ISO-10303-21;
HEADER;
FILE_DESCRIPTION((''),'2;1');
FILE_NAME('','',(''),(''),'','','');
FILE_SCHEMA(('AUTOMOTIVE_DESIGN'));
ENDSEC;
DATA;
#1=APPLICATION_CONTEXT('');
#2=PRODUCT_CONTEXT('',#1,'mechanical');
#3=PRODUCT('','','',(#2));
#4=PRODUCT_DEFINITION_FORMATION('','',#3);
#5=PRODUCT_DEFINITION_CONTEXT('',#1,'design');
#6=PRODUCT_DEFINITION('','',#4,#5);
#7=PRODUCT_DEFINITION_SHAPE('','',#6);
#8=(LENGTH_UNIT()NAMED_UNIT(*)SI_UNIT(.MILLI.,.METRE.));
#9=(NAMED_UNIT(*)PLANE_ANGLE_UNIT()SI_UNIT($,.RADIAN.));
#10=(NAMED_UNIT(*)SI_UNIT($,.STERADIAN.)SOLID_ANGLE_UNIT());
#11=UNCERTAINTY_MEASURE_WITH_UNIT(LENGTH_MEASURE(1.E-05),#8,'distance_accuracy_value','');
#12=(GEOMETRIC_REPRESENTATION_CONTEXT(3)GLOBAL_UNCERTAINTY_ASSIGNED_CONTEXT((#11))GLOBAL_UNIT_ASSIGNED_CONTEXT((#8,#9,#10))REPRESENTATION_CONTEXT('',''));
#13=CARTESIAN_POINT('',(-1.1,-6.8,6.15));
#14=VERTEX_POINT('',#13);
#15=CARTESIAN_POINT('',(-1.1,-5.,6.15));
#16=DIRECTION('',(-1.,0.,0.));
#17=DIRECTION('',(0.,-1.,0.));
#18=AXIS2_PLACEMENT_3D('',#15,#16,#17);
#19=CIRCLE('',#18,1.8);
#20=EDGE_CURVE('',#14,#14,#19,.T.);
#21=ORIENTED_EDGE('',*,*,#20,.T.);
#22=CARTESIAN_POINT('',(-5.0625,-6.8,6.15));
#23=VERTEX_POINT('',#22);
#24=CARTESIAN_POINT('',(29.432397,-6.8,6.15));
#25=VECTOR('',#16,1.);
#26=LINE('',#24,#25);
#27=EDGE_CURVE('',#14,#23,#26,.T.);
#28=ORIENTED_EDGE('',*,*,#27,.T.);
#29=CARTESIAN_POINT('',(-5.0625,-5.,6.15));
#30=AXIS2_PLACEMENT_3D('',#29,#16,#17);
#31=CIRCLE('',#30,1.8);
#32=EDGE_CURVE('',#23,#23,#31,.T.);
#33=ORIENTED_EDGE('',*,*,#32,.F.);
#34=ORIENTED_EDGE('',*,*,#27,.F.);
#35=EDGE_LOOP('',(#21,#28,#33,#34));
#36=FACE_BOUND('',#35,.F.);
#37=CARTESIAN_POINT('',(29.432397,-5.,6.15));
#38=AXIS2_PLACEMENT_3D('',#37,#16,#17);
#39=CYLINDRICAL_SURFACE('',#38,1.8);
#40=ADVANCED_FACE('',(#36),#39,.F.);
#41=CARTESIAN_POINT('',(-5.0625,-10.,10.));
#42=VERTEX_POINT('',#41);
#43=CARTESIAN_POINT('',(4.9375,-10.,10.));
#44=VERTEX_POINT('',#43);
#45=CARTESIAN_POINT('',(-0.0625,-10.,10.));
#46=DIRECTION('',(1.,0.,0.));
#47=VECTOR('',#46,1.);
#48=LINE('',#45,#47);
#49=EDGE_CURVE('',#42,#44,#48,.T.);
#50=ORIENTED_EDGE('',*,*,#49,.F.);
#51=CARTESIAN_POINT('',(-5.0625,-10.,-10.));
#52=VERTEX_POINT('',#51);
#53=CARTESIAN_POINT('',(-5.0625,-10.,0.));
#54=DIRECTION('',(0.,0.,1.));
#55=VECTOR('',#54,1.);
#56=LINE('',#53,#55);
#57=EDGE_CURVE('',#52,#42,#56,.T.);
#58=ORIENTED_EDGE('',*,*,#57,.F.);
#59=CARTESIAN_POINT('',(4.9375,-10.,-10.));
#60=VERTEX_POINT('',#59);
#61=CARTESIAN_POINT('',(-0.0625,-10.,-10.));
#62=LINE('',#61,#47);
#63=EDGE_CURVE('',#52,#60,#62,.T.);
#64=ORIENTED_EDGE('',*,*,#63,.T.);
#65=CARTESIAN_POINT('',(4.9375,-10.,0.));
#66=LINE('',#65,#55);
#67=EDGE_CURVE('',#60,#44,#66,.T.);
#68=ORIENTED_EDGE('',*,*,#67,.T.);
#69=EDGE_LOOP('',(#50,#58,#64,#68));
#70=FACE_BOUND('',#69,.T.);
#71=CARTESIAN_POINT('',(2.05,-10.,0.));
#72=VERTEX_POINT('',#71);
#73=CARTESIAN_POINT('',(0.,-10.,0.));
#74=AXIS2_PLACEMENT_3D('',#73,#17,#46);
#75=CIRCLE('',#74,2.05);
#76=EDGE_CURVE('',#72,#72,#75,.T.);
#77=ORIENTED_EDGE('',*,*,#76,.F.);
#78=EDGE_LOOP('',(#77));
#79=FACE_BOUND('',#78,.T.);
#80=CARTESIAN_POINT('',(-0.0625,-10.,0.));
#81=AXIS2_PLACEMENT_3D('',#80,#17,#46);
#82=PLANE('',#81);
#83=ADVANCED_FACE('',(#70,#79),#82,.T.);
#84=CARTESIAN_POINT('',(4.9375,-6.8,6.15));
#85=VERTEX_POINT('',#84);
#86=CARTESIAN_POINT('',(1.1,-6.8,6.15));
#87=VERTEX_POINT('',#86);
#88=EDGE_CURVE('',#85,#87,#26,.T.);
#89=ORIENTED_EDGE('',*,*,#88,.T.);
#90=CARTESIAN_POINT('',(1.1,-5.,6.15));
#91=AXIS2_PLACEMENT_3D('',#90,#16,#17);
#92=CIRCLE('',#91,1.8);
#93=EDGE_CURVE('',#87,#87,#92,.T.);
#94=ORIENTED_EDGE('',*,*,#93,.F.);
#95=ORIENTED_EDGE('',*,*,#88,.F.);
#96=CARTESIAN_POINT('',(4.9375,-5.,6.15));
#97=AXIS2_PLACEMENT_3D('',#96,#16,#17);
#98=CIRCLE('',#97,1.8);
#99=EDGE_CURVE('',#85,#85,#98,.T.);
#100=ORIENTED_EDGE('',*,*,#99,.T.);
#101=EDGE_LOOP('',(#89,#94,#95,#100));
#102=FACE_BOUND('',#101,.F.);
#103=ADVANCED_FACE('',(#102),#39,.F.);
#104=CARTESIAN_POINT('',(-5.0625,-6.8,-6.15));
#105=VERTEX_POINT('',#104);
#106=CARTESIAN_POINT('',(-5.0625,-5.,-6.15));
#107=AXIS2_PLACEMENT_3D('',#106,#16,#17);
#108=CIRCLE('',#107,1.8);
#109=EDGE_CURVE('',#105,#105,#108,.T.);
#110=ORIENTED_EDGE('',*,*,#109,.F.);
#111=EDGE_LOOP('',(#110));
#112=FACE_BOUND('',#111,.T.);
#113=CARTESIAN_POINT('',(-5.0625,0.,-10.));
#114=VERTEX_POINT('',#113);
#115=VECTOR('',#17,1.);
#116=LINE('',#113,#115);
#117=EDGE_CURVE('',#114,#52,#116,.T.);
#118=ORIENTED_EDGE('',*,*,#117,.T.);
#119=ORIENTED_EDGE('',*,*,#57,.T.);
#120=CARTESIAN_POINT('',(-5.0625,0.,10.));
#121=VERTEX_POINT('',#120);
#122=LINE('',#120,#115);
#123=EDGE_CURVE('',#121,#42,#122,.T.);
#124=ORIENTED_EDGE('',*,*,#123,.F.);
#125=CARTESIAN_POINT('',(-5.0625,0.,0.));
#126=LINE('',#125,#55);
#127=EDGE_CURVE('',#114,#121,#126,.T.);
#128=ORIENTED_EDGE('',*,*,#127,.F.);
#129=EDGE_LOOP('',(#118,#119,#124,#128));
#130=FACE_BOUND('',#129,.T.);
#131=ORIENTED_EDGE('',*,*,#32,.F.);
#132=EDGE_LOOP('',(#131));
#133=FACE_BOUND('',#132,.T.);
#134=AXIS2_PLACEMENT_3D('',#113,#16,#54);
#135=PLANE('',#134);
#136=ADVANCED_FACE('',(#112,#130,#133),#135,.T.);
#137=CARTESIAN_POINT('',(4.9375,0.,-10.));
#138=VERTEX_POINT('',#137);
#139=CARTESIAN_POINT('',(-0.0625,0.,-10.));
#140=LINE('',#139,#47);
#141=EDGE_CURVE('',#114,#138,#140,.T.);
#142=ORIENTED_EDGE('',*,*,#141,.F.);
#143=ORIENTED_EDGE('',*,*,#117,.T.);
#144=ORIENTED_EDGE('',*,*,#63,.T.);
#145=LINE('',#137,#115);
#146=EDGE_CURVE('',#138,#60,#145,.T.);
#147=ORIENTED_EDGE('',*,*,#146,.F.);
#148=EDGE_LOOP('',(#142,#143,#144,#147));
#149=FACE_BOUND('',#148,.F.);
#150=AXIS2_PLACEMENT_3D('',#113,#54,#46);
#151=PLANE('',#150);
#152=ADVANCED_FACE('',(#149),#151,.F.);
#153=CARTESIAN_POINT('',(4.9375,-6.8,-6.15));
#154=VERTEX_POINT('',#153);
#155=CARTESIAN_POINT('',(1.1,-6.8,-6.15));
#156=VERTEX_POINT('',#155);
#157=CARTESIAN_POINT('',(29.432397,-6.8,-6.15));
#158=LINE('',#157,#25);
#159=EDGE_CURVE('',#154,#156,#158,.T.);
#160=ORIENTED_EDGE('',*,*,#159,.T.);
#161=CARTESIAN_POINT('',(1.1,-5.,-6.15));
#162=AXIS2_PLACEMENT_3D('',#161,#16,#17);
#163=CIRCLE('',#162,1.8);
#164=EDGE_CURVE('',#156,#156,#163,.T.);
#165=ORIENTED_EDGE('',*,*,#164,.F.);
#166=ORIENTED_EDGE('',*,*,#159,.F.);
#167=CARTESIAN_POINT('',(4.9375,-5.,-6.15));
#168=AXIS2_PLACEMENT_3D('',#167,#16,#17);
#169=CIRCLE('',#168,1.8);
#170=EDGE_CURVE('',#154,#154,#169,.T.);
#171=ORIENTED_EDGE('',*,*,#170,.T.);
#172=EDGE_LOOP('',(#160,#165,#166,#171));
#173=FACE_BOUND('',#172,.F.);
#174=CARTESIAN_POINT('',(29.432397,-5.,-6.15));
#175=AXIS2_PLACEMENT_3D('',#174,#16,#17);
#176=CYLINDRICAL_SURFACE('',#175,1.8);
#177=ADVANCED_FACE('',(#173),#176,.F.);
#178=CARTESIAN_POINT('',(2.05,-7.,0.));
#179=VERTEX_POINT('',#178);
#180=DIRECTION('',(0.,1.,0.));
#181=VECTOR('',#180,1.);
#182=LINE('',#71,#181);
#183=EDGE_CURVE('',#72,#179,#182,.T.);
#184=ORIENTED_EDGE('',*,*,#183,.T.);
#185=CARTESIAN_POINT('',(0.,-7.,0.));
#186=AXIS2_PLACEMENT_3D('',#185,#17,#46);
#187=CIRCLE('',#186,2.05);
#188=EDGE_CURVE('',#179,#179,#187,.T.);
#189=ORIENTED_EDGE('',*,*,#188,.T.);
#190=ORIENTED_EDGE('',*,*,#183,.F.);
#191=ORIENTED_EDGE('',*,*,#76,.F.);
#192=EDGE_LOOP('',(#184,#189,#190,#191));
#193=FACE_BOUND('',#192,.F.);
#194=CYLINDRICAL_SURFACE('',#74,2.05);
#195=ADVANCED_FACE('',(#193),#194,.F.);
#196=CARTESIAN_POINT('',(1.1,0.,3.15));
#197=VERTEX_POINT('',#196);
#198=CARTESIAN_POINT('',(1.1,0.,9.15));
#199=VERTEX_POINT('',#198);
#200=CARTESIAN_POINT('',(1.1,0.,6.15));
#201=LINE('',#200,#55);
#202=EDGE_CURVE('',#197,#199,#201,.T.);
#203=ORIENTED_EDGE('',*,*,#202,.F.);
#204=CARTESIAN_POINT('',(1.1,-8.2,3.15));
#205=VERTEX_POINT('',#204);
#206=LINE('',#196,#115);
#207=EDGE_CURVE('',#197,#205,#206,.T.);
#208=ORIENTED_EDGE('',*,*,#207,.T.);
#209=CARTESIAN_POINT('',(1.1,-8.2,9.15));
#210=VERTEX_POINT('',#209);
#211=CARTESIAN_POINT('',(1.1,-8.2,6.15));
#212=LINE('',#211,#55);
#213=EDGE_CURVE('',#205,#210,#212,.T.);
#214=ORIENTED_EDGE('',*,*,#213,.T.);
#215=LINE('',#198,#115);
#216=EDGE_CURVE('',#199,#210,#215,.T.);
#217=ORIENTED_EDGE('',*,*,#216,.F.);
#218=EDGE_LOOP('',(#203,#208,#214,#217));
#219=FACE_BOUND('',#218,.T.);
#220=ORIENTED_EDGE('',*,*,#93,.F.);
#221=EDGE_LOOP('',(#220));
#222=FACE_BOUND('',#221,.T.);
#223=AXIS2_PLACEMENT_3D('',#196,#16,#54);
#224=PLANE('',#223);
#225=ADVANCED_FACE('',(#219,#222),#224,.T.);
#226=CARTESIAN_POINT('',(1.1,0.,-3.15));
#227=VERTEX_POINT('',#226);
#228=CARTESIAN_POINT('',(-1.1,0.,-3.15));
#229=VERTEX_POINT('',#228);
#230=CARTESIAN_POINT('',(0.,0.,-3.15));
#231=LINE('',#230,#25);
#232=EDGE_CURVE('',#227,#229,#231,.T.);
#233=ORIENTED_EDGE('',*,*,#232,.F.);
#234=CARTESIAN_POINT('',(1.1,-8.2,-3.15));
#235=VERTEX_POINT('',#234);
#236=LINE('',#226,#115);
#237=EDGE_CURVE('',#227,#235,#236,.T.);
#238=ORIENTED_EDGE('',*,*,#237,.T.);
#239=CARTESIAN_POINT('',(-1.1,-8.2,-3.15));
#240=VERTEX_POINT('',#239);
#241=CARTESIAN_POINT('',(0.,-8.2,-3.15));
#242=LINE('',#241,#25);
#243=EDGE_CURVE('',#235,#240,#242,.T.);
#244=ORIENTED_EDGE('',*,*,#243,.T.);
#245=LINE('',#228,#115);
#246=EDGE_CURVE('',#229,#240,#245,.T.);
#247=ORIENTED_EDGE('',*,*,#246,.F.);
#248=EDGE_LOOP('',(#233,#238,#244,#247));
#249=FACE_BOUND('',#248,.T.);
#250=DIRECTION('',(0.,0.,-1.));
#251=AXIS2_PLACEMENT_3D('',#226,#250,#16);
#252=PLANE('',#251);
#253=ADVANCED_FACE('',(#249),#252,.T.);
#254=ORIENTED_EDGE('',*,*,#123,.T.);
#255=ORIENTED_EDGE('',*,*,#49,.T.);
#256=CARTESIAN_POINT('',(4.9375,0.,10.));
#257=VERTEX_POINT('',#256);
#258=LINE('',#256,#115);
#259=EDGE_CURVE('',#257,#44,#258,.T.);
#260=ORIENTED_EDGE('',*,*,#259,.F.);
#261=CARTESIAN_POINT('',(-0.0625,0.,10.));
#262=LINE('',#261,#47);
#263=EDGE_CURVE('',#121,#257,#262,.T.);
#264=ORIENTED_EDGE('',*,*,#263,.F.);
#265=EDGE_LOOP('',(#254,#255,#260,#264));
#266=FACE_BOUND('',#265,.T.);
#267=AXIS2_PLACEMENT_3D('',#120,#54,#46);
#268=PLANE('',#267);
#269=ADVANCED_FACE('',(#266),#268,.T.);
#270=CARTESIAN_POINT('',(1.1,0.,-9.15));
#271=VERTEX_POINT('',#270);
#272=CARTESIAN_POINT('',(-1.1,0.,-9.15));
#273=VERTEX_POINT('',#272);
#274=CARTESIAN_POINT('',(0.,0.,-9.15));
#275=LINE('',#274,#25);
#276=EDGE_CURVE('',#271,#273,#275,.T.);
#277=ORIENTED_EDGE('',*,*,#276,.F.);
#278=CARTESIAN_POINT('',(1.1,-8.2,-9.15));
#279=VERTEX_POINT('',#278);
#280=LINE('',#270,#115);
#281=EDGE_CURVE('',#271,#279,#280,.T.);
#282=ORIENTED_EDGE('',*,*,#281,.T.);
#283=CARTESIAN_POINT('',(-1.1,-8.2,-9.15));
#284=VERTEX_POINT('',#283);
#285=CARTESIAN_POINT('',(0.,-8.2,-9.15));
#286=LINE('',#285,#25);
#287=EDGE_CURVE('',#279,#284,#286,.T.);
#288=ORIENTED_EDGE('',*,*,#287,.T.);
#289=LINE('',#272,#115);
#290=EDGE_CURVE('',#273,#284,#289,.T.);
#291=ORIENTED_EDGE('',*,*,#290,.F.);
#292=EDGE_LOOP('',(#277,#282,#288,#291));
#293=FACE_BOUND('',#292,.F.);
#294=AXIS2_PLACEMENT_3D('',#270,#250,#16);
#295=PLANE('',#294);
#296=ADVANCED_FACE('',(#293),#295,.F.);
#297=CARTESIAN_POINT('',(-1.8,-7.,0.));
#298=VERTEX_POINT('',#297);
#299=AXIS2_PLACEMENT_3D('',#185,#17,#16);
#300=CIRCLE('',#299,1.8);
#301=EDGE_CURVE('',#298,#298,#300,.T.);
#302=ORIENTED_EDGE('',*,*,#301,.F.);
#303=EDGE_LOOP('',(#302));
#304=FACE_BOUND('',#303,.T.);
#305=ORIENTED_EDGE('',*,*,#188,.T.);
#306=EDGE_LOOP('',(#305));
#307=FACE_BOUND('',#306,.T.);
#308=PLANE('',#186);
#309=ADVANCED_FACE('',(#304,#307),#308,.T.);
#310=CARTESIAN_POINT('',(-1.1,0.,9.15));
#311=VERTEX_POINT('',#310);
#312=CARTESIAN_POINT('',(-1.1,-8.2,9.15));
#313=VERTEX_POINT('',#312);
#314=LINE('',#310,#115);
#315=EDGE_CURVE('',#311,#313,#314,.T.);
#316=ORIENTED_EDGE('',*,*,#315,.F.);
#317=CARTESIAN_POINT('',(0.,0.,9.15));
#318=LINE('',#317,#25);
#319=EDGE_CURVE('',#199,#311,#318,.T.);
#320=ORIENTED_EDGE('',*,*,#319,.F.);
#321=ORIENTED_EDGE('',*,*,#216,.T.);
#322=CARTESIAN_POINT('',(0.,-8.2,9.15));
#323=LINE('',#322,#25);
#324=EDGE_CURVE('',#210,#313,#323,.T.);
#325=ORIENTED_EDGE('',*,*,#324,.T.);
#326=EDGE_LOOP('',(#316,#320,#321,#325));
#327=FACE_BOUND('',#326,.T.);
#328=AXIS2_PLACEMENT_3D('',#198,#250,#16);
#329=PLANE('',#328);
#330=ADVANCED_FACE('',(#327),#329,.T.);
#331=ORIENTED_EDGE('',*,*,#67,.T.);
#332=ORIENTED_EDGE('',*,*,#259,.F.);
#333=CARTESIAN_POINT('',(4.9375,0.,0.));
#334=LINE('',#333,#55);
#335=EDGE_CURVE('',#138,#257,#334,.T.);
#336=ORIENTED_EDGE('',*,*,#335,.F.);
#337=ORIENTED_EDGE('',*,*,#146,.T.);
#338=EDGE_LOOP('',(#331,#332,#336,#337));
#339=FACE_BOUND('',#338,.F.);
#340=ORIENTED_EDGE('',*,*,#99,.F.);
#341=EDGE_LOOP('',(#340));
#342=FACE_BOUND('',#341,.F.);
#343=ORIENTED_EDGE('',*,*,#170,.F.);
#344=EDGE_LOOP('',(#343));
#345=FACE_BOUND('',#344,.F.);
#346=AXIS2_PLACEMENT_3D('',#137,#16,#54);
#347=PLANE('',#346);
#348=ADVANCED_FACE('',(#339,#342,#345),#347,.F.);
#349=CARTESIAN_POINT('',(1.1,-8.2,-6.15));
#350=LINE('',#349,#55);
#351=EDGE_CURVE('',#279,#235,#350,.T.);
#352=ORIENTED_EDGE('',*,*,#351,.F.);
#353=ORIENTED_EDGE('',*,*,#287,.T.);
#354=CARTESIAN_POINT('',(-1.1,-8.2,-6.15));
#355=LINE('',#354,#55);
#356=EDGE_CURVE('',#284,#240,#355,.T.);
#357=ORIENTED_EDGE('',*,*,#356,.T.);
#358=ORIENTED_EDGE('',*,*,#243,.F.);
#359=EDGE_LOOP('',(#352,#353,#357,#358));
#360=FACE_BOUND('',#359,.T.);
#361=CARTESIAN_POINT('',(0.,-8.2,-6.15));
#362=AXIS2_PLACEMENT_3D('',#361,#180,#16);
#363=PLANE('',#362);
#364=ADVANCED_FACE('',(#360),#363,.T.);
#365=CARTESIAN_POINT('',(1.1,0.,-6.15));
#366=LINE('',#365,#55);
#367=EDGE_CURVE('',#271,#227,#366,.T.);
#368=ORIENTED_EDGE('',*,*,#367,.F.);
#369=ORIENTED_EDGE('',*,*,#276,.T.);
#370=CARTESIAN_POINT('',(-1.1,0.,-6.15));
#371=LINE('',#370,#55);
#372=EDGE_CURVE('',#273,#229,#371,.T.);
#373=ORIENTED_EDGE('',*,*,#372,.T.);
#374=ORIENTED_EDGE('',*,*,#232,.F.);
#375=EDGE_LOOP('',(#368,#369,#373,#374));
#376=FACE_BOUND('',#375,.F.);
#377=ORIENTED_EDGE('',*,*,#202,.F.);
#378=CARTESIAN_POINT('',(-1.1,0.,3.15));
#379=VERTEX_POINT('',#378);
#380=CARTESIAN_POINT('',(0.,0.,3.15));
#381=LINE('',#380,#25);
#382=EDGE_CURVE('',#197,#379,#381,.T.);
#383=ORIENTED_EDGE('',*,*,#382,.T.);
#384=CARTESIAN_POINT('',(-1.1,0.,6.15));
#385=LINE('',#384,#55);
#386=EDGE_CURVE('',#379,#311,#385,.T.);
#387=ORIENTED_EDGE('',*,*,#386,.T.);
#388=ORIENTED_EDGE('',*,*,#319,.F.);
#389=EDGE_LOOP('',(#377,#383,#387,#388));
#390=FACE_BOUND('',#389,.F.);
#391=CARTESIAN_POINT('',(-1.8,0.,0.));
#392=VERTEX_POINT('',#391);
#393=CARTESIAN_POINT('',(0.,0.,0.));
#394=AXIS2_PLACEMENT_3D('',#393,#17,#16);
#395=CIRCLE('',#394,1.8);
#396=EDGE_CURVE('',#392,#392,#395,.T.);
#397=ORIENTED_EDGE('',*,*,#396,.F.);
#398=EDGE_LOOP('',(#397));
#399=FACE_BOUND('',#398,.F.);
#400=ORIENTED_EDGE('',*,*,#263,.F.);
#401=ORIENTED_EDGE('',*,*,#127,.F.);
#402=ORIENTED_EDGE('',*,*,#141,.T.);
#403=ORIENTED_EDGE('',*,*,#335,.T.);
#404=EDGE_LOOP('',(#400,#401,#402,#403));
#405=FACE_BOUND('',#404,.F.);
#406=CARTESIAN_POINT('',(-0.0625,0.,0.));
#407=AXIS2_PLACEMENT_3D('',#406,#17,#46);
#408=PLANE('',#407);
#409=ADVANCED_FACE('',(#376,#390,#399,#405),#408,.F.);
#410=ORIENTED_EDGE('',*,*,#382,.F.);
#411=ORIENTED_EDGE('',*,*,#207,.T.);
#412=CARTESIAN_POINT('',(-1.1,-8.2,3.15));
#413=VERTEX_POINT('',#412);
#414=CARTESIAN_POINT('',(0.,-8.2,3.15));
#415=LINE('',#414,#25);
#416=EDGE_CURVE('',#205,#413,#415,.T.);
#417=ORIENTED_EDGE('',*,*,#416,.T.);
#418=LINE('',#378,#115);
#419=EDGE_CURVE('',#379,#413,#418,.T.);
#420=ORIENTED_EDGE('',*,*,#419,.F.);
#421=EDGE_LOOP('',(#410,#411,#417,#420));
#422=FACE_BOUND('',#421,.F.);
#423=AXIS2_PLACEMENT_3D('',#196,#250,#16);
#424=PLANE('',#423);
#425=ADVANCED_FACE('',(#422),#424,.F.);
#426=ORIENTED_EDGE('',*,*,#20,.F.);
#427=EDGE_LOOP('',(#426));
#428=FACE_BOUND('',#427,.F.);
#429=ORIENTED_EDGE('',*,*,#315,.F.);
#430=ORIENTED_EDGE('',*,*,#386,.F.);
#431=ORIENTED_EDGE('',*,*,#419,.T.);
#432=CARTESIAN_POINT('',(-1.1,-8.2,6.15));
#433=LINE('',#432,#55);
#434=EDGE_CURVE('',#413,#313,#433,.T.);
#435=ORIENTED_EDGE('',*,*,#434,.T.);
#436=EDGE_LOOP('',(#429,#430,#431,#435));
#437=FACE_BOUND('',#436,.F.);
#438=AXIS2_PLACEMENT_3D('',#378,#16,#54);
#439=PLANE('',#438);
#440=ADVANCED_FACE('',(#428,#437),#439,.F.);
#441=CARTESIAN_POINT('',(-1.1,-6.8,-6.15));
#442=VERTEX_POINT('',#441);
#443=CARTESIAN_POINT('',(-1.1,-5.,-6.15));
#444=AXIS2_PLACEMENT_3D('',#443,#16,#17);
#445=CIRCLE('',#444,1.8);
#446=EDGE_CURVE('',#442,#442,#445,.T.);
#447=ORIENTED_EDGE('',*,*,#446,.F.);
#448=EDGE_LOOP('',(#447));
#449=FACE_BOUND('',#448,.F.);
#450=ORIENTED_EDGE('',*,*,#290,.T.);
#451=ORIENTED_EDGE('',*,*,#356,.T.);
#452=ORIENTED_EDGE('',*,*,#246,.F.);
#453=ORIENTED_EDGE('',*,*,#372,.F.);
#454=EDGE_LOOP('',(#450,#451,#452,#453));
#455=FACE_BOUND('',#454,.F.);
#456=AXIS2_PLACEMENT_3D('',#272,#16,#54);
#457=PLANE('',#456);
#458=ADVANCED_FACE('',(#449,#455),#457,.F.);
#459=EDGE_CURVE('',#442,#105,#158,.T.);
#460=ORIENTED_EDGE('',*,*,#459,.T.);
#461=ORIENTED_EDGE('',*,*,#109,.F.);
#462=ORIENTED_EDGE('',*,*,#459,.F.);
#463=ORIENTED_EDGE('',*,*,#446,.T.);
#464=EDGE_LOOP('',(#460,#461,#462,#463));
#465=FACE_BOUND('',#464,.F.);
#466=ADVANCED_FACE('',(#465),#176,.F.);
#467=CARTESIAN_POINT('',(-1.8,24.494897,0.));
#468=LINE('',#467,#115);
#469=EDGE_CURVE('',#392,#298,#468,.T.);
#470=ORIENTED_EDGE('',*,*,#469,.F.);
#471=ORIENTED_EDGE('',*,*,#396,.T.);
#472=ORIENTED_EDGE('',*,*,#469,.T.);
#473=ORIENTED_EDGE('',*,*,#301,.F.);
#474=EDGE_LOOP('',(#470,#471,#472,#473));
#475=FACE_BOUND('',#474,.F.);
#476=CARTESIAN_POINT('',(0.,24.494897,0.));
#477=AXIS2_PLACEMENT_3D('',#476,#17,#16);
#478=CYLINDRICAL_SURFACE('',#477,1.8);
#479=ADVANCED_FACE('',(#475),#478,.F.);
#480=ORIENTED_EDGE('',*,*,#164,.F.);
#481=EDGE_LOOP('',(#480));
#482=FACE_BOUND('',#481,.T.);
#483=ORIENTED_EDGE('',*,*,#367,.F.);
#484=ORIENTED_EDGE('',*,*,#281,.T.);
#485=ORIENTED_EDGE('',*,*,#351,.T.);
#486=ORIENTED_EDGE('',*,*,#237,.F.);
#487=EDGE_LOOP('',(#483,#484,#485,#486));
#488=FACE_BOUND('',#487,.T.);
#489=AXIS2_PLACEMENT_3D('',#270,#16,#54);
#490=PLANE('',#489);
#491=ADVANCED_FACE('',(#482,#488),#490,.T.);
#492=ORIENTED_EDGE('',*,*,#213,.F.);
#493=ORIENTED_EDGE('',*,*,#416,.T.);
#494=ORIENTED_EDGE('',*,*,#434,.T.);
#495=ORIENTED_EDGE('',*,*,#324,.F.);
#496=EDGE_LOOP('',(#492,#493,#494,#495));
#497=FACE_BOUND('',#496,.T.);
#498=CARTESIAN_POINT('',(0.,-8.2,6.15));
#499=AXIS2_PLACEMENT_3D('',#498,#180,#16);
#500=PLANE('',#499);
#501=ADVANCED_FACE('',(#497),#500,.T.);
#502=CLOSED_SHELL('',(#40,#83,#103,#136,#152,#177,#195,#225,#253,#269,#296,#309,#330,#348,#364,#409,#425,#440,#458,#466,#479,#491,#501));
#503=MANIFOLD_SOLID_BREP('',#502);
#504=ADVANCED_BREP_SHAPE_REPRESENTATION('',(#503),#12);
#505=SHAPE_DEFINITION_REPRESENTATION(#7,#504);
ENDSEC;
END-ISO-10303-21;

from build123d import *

# Parameters (mm, degrees)
F0_W     = 10
F0_H     = 20
F1_DEPTH = 10
F2_W     = 2.2
F2_H     = 6
F3_DEPTH = 8.2
F4_R     = 2.05
F5_DEPTH = 3
F6_D     = 3.6
F8_D     = 3.6


with BuildPart() as f1:
    # F0 (on Front) → F1 (new body)
    with BuildSketch(Plane.XZ):
        with Locations((-0.0625, 0)):
            Rectangle(F0_W, F0_H)
    extrude(amount=F1_DEPTH)

    # F2 (on face) → F3 (cut)
    with BuildSketch(Plane(origin=(0, 0, 0), x_dir=(-1, 0, 0), z_dir=(0, 1, 0))):
        with Locations((0, 6.15)):
            Rectangle(F2_W, F2_H)
        with Locations((0, -6.15)):
            Rectangle(F2_W, F2_H)
    extrude(amount=-F3_DEPTH, mode=Mode.SUBTRACT)

    # F4 (on face) → F5 (cut)
    with BuildSketch(Plane.XZ.offset(10)):
        Circle(F4_R)
    extrude(amount=-F5_DEPTH, mode=Mode.SUBTRACT)

    # F6 (through all)
    with Locations(Plane(origin=(0, 0, 0), x_dir=(1, 0, 0), z_dir=(0, 1, 0))):
        with Locations((0, 0)):
            Hole(F6_D / 2)

    # F8 (through all)
    with Locations(Plane.YZ.offset(4.9375)):
        with Locations((-5, -6.15), (-5, 6.15)):
            Hole(F8_D / 2)


solid = f1.part
